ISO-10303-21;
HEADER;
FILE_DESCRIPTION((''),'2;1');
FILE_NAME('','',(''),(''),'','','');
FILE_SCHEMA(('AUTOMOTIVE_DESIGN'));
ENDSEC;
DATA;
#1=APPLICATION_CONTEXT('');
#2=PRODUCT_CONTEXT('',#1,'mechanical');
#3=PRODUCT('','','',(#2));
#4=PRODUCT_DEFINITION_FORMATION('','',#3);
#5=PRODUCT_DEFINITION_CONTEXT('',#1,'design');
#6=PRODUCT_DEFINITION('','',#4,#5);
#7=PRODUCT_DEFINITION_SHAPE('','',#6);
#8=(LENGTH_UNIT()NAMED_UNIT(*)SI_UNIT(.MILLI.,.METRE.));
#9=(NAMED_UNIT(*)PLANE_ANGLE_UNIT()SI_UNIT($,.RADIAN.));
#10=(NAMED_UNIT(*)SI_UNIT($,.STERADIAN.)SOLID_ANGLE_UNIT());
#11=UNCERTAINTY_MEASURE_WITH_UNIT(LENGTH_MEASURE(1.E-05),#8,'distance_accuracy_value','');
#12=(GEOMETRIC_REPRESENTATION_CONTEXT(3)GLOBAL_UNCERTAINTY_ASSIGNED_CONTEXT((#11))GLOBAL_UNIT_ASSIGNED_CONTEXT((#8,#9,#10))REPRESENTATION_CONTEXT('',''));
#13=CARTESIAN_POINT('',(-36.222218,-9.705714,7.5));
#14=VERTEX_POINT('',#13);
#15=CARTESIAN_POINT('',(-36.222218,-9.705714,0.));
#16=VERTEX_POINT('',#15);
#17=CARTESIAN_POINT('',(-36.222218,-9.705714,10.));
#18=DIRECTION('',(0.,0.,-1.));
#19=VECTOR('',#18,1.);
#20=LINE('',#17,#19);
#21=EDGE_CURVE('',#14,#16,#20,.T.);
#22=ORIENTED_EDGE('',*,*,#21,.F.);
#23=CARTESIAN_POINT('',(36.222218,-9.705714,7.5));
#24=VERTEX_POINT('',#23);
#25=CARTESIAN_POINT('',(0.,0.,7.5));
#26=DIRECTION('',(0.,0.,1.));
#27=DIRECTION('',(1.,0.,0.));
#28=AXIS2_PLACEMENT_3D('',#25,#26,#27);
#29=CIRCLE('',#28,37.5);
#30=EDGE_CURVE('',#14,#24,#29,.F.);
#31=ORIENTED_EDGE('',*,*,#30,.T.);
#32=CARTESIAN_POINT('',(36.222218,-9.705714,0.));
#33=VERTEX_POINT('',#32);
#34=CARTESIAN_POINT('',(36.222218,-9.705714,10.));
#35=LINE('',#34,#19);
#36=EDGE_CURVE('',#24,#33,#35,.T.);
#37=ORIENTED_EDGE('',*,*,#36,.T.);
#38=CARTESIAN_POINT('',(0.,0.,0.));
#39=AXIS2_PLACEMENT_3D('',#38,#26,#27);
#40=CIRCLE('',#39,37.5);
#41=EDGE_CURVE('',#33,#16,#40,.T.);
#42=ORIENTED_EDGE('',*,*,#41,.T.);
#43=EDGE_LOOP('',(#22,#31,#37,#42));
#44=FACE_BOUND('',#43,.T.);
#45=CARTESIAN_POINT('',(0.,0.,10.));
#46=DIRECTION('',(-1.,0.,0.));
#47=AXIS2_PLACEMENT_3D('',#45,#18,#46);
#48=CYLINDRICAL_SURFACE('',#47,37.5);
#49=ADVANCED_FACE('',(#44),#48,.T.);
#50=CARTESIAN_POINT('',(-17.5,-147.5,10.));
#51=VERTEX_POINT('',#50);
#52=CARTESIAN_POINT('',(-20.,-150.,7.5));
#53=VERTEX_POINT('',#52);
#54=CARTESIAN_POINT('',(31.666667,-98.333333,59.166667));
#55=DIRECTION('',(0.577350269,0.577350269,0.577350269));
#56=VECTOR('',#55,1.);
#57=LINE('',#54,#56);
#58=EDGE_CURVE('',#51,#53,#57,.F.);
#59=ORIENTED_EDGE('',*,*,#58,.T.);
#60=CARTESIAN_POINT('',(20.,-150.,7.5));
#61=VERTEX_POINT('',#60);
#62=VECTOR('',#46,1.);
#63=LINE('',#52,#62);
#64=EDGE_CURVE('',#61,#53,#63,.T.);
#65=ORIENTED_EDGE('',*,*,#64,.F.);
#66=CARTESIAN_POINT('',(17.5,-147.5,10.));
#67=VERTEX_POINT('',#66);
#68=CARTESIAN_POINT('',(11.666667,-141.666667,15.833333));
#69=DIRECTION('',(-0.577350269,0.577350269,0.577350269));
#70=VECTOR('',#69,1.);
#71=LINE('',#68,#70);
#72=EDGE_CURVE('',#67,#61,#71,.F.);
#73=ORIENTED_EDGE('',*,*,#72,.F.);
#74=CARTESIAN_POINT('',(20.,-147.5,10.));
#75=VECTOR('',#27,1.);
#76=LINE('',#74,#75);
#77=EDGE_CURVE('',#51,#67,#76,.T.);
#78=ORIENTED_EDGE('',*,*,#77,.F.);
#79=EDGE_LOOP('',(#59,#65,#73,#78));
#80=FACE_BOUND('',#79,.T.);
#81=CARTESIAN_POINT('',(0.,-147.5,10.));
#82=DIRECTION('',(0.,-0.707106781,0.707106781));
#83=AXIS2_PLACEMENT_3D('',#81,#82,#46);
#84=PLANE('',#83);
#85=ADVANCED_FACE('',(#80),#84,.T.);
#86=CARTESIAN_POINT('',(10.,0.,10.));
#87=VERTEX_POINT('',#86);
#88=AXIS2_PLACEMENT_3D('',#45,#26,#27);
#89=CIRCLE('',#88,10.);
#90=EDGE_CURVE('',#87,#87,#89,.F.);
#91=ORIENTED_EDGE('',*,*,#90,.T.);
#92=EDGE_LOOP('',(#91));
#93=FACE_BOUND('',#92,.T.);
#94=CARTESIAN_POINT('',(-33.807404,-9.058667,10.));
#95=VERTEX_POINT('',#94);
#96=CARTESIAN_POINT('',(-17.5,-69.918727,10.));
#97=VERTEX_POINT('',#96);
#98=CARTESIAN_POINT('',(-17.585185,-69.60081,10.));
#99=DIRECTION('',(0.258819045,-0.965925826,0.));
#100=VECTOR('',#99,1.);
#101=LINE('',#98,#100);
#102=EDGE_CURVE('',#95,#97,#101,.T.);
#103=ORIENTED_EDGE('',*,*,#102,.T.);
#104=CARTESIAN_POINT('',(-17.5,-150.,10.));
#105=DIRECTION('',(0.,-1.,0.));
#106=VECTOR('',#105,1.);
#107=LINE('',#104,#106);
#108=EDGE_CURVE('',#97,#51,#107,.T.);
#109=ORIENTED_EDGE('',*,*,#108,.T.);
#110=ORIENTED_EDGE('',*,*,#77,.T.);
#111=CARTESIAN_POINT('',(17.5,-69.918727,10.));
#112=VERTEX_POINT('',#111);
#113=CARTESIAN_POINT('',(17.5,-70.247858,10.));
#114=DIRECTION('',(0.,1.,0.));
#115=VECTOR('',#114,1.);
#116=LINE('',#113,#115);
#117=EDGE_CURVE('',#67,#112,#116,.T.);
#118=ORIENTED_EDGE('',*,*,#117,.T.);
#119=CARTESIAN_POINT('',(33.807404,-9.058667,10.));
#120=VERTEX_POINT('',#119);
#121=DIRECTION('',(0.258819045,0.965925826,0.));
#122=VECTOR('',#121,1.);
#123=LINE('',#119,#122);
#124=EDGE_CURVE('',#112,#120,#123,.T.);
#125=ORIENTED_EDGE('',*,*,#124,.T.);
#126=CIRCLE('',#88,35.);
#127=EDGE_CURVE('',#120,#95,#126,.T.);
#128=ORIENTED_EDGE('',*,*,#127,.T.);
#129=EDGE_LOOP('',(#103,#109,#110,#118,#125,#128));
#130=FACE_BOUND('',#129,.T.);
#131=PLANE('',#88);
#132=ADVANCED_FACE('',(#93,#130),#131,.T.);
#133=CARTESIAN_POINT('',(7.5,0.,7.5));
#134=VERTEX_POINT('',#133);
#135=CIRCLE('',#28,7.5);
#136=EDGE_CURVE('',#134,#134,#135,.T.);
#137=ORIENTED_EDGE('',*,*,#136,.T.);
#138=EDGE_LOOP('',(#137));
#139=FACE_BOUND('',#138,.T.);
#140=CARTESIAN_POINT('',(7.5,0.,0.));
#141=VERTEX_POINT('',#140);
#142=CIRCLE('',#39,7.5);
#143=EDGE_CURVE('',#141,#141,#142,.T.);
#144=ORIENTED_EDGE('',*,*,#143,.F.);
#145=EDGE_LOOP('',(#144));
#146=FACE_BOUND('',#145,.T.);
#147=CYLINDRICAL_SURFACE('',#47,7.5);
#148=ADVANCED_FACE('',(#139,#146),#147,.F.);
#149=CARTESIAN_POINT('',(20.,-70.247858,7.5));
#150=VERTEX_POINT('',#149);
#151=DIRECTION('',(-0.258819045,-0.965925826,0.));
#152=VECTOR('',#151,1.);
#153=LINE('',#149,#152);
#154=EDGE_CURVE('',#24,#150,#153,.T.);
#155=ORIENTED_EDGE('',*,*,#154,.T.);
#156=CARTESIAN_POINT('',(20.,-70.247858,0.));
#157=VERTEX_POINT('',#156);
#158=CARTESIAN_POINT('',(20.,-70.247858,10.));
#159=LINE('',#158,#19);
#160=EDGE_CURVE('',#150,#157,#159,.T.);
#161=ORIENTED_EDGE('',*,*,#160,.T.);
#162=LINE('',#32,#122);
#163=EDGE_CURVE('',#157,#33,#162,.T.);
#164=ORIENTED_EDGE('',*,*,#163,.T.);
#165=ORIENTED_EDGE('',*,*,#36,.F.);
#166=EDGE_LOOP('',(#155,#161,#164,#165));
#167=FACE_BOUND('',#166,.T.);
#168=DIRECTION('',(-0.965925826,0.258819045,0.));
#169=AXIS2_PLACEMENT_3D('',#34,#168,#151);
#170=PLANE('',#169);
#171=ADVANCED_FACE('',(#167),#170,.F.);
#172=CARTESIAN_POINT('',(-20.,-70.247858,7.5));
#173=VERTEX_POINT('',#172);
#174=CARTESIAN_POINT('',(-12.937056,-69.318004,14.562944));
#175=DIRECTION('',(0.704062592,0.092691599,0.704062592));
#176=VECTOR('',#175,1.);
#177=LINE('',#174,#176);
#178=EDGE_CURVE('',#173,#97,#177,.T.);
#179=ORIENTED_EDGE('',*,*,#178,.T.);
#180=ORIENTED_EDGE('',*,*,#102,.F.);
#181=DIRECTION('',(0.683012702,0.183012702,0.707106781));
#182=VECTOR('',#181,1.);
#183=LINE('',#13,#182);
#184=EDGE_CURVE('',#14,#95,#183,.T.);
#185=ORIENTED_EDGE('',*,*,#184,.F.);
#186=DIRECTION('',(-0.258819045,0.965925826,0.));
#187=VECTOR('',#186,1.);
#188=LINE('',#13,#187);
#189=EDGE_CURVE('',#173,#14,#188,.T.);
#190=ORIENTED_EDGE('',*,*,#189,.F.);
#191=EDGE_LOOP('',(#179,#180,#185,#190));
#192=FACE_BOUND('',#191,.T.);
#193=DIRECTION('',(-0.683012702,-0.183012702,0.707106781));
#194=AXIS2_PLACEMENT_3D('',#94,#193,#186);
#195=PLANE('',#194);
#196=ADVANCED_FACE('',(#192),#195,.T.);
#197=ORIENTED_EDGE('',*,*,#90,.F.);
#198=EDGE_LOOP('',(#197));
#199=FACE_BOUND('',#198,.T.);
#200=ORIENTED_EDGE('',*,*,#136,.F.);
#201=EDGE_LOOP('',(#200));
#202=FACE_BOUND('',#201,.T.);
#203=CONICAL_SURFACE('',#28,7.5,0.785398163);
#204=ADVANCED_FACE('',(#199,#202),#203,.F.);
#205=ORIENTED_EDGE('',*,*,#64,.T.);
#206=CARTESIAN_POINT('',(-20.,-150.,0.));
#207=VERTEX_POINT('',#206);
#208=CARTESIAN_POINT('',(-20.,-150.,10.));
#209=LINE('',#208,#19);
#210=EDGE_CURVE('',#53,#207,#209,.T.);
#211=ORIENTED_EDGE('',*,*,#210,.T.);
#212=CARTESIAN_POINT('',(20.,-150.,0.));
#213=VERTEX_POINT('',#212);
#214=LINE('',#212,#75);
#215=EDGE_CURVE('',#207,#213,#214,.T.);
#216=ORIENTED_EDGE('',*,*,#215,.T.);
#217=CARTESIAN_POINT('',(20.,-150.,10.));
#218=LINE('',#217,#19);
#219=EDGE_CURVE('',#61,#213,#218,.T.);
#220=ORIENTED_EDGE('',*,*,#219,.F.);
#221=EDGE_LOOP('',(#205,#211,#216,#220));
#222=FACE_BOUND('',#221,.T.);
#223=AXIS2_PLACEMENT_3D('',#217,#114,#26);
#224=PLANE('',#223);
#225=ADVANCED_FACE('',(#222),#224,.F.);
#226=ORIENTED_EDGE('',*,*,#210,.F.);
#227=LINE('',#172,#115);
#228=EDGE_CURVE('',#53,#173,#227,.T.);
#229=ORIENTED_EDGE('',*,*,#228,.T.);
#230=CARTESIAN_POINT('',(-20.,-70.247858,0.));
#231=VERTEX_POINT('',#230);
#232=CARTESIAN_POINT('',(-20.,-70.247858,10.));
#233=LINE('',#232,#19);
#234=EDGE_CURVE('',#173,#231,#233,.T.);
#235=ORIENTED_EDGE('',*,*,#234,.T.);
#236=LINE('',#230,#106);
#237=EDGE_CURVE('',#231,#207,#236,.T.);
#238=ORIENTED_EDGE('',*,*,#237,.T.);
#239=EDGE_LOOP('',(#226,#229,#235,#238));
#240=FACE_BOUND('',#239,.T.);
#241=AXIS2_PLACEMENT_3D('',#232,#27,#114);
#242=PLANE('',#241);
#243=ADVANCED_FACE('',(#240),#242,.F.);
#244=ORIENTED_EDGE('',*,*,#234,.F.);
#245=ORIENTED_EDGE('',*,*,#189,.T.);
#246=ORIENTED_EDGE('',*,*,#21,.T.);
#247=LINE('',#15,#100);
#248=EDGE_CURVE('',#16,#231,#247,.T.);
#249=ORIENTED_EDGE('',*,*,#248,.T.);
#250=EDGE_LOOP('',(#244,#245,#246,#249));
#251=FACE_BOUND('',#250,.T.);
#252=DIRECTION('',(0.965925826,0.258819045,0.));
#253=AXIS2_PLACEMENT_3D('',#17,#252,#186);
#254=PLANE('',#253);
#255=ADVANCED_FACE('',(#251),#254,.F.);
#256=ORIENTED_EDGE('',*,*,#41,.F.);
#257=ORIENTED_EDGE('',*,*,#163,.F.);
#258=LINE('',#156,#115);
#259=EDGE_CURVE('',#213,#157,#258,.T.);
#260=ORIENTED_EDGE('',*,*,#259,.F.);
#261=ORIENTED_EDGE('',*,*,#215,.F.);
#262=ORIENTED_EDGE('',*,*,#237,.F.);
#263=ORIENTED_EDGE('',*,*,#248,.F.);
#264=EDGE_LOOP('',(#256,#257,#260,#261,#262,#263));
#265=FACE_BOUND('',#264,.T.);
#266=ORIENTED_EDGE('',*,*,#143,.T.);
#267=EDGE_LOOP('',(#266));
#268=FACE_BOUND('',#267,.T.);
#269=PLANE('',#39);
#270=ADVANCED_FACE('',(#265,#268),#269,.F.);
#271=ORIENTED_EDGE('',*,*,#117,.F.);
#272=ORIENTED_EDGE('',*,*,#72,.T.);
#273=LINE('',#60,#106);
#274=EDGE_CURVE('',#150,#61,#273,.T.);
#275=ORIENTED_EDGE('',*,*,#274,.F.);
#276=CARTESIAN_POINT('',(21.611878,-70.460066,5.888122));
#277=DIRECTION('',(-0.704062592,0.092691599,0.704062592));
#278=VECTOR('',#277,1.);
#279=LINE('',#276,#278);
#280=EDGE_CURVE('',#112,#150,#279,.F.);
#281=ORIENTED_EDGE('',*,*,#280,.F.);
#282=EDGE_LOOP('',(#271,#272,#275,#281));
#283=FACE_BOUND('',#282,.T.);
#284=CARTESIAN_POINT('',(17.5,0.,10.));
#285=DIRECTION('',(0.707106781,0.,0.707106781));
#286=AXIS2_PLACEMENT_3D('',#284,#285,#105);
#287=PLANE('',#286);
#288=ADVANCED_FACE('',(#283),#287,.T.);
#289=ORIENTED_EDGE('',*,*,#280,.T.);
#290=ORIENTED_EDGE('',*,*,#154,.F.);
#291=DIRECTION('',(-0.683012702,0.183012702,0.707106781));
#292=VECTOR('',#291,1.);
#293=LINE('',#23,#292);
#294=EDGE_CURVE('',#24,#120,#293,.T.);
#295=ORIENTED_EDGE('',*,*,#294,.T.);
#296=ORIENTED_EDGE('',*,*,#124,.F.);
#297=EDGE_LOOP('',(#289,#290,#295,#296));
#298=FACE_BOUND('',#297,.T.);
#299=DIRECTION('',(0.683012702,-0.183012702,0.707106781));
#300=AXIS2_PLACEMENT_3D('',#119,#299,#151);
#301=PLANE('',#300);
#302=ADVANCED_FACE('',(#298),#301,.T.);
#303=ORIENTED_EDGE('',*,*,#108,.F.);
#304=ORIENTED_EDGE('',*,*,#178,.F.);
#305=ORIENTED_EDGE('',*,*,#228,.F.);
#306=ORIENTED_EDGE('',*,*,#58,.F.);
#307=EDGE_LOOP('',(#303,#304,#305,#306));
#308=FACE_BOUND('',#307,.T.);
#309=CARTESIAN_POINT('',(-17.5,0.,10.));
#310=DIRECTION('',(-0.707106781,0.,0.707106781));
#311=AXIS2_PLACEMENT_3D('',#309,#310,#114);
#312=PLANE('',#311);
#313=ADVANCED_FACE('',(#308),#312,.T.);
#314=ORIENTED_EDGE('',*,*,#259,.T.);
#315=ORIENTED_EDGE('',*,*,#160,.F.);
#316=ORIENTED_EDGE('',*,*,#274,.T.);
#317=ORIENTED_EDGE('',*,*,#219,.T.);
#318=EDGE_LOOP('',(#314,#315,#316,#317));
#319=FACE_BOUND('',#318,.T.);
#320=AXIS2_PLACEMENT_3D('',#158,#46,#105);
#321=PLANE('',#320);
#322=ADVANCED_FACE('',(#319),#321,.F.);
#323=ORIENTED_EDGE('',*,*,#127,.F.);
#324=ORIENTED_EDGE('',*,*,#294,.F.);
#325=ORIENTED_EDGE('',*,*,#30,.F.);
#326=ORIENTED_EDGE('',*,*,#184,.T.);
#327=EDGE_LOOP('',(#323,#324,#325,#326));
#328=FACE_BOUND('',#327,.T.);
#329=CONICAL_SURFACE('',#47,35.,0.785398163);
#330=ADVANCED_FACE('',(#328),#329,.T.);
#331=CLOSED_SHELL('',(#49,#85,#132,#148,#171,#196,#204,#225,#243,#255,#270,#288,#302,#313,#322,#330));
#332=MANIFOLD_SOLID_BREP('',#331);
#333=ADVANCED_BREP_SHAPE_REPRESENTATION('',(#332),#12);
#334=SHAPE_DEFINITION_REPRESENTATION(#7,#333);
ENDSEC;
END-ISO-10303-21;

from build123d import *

# Parameters (mm, degrees)
SKETCH1_R           = 7.5
BOSS_EXTRUDE1_DEPTH = 10
CHAMFER1_SIZE       = 2.5


with BuildPart() as part:
    # Sketch1 → Boss-Extrude1 (new body)
    with BuildSketch(Plane.XY):
        with BuildLine():
            Line((36.222218486, -9.705714191), (20, -70.247857792))
            Line((20, -70.247857792), (20, -150))
            Line((20, -150), (-20, -150))
            Line((-20, -150), (-20, -70.247857792))
            Line((-20, -70.247857792), (-36.222218486, -9.705714191))
            ThreePointArc((-36.222218486, -9.705714191), (0, 37.5), (36.222218486, -9.705714191))
        make_face()
        Circle(SKETCH1_R, mode=Mode.SUBTRACT)
    extrude(amount=BOSS_EXTRUDE1_DEPTH)

    # Chamfer1
    chamfer1_edges = [part.edges().sort_by_distance(p)[0] for p in [
        (-20, -110.123928896, 10),
        (0, -150, 10),
        (-7.5, 0, 10),
        (20, -110.123928896, 10),
        (28.111109243, -39.976785992, 10),
        (0, 37.5, 10),
        (-28.111109243, -39.976785992, 10),
    ]]
    chamfer(chamfer1_edges, length=CHAMFER1_SIZE)


solid = part.part
